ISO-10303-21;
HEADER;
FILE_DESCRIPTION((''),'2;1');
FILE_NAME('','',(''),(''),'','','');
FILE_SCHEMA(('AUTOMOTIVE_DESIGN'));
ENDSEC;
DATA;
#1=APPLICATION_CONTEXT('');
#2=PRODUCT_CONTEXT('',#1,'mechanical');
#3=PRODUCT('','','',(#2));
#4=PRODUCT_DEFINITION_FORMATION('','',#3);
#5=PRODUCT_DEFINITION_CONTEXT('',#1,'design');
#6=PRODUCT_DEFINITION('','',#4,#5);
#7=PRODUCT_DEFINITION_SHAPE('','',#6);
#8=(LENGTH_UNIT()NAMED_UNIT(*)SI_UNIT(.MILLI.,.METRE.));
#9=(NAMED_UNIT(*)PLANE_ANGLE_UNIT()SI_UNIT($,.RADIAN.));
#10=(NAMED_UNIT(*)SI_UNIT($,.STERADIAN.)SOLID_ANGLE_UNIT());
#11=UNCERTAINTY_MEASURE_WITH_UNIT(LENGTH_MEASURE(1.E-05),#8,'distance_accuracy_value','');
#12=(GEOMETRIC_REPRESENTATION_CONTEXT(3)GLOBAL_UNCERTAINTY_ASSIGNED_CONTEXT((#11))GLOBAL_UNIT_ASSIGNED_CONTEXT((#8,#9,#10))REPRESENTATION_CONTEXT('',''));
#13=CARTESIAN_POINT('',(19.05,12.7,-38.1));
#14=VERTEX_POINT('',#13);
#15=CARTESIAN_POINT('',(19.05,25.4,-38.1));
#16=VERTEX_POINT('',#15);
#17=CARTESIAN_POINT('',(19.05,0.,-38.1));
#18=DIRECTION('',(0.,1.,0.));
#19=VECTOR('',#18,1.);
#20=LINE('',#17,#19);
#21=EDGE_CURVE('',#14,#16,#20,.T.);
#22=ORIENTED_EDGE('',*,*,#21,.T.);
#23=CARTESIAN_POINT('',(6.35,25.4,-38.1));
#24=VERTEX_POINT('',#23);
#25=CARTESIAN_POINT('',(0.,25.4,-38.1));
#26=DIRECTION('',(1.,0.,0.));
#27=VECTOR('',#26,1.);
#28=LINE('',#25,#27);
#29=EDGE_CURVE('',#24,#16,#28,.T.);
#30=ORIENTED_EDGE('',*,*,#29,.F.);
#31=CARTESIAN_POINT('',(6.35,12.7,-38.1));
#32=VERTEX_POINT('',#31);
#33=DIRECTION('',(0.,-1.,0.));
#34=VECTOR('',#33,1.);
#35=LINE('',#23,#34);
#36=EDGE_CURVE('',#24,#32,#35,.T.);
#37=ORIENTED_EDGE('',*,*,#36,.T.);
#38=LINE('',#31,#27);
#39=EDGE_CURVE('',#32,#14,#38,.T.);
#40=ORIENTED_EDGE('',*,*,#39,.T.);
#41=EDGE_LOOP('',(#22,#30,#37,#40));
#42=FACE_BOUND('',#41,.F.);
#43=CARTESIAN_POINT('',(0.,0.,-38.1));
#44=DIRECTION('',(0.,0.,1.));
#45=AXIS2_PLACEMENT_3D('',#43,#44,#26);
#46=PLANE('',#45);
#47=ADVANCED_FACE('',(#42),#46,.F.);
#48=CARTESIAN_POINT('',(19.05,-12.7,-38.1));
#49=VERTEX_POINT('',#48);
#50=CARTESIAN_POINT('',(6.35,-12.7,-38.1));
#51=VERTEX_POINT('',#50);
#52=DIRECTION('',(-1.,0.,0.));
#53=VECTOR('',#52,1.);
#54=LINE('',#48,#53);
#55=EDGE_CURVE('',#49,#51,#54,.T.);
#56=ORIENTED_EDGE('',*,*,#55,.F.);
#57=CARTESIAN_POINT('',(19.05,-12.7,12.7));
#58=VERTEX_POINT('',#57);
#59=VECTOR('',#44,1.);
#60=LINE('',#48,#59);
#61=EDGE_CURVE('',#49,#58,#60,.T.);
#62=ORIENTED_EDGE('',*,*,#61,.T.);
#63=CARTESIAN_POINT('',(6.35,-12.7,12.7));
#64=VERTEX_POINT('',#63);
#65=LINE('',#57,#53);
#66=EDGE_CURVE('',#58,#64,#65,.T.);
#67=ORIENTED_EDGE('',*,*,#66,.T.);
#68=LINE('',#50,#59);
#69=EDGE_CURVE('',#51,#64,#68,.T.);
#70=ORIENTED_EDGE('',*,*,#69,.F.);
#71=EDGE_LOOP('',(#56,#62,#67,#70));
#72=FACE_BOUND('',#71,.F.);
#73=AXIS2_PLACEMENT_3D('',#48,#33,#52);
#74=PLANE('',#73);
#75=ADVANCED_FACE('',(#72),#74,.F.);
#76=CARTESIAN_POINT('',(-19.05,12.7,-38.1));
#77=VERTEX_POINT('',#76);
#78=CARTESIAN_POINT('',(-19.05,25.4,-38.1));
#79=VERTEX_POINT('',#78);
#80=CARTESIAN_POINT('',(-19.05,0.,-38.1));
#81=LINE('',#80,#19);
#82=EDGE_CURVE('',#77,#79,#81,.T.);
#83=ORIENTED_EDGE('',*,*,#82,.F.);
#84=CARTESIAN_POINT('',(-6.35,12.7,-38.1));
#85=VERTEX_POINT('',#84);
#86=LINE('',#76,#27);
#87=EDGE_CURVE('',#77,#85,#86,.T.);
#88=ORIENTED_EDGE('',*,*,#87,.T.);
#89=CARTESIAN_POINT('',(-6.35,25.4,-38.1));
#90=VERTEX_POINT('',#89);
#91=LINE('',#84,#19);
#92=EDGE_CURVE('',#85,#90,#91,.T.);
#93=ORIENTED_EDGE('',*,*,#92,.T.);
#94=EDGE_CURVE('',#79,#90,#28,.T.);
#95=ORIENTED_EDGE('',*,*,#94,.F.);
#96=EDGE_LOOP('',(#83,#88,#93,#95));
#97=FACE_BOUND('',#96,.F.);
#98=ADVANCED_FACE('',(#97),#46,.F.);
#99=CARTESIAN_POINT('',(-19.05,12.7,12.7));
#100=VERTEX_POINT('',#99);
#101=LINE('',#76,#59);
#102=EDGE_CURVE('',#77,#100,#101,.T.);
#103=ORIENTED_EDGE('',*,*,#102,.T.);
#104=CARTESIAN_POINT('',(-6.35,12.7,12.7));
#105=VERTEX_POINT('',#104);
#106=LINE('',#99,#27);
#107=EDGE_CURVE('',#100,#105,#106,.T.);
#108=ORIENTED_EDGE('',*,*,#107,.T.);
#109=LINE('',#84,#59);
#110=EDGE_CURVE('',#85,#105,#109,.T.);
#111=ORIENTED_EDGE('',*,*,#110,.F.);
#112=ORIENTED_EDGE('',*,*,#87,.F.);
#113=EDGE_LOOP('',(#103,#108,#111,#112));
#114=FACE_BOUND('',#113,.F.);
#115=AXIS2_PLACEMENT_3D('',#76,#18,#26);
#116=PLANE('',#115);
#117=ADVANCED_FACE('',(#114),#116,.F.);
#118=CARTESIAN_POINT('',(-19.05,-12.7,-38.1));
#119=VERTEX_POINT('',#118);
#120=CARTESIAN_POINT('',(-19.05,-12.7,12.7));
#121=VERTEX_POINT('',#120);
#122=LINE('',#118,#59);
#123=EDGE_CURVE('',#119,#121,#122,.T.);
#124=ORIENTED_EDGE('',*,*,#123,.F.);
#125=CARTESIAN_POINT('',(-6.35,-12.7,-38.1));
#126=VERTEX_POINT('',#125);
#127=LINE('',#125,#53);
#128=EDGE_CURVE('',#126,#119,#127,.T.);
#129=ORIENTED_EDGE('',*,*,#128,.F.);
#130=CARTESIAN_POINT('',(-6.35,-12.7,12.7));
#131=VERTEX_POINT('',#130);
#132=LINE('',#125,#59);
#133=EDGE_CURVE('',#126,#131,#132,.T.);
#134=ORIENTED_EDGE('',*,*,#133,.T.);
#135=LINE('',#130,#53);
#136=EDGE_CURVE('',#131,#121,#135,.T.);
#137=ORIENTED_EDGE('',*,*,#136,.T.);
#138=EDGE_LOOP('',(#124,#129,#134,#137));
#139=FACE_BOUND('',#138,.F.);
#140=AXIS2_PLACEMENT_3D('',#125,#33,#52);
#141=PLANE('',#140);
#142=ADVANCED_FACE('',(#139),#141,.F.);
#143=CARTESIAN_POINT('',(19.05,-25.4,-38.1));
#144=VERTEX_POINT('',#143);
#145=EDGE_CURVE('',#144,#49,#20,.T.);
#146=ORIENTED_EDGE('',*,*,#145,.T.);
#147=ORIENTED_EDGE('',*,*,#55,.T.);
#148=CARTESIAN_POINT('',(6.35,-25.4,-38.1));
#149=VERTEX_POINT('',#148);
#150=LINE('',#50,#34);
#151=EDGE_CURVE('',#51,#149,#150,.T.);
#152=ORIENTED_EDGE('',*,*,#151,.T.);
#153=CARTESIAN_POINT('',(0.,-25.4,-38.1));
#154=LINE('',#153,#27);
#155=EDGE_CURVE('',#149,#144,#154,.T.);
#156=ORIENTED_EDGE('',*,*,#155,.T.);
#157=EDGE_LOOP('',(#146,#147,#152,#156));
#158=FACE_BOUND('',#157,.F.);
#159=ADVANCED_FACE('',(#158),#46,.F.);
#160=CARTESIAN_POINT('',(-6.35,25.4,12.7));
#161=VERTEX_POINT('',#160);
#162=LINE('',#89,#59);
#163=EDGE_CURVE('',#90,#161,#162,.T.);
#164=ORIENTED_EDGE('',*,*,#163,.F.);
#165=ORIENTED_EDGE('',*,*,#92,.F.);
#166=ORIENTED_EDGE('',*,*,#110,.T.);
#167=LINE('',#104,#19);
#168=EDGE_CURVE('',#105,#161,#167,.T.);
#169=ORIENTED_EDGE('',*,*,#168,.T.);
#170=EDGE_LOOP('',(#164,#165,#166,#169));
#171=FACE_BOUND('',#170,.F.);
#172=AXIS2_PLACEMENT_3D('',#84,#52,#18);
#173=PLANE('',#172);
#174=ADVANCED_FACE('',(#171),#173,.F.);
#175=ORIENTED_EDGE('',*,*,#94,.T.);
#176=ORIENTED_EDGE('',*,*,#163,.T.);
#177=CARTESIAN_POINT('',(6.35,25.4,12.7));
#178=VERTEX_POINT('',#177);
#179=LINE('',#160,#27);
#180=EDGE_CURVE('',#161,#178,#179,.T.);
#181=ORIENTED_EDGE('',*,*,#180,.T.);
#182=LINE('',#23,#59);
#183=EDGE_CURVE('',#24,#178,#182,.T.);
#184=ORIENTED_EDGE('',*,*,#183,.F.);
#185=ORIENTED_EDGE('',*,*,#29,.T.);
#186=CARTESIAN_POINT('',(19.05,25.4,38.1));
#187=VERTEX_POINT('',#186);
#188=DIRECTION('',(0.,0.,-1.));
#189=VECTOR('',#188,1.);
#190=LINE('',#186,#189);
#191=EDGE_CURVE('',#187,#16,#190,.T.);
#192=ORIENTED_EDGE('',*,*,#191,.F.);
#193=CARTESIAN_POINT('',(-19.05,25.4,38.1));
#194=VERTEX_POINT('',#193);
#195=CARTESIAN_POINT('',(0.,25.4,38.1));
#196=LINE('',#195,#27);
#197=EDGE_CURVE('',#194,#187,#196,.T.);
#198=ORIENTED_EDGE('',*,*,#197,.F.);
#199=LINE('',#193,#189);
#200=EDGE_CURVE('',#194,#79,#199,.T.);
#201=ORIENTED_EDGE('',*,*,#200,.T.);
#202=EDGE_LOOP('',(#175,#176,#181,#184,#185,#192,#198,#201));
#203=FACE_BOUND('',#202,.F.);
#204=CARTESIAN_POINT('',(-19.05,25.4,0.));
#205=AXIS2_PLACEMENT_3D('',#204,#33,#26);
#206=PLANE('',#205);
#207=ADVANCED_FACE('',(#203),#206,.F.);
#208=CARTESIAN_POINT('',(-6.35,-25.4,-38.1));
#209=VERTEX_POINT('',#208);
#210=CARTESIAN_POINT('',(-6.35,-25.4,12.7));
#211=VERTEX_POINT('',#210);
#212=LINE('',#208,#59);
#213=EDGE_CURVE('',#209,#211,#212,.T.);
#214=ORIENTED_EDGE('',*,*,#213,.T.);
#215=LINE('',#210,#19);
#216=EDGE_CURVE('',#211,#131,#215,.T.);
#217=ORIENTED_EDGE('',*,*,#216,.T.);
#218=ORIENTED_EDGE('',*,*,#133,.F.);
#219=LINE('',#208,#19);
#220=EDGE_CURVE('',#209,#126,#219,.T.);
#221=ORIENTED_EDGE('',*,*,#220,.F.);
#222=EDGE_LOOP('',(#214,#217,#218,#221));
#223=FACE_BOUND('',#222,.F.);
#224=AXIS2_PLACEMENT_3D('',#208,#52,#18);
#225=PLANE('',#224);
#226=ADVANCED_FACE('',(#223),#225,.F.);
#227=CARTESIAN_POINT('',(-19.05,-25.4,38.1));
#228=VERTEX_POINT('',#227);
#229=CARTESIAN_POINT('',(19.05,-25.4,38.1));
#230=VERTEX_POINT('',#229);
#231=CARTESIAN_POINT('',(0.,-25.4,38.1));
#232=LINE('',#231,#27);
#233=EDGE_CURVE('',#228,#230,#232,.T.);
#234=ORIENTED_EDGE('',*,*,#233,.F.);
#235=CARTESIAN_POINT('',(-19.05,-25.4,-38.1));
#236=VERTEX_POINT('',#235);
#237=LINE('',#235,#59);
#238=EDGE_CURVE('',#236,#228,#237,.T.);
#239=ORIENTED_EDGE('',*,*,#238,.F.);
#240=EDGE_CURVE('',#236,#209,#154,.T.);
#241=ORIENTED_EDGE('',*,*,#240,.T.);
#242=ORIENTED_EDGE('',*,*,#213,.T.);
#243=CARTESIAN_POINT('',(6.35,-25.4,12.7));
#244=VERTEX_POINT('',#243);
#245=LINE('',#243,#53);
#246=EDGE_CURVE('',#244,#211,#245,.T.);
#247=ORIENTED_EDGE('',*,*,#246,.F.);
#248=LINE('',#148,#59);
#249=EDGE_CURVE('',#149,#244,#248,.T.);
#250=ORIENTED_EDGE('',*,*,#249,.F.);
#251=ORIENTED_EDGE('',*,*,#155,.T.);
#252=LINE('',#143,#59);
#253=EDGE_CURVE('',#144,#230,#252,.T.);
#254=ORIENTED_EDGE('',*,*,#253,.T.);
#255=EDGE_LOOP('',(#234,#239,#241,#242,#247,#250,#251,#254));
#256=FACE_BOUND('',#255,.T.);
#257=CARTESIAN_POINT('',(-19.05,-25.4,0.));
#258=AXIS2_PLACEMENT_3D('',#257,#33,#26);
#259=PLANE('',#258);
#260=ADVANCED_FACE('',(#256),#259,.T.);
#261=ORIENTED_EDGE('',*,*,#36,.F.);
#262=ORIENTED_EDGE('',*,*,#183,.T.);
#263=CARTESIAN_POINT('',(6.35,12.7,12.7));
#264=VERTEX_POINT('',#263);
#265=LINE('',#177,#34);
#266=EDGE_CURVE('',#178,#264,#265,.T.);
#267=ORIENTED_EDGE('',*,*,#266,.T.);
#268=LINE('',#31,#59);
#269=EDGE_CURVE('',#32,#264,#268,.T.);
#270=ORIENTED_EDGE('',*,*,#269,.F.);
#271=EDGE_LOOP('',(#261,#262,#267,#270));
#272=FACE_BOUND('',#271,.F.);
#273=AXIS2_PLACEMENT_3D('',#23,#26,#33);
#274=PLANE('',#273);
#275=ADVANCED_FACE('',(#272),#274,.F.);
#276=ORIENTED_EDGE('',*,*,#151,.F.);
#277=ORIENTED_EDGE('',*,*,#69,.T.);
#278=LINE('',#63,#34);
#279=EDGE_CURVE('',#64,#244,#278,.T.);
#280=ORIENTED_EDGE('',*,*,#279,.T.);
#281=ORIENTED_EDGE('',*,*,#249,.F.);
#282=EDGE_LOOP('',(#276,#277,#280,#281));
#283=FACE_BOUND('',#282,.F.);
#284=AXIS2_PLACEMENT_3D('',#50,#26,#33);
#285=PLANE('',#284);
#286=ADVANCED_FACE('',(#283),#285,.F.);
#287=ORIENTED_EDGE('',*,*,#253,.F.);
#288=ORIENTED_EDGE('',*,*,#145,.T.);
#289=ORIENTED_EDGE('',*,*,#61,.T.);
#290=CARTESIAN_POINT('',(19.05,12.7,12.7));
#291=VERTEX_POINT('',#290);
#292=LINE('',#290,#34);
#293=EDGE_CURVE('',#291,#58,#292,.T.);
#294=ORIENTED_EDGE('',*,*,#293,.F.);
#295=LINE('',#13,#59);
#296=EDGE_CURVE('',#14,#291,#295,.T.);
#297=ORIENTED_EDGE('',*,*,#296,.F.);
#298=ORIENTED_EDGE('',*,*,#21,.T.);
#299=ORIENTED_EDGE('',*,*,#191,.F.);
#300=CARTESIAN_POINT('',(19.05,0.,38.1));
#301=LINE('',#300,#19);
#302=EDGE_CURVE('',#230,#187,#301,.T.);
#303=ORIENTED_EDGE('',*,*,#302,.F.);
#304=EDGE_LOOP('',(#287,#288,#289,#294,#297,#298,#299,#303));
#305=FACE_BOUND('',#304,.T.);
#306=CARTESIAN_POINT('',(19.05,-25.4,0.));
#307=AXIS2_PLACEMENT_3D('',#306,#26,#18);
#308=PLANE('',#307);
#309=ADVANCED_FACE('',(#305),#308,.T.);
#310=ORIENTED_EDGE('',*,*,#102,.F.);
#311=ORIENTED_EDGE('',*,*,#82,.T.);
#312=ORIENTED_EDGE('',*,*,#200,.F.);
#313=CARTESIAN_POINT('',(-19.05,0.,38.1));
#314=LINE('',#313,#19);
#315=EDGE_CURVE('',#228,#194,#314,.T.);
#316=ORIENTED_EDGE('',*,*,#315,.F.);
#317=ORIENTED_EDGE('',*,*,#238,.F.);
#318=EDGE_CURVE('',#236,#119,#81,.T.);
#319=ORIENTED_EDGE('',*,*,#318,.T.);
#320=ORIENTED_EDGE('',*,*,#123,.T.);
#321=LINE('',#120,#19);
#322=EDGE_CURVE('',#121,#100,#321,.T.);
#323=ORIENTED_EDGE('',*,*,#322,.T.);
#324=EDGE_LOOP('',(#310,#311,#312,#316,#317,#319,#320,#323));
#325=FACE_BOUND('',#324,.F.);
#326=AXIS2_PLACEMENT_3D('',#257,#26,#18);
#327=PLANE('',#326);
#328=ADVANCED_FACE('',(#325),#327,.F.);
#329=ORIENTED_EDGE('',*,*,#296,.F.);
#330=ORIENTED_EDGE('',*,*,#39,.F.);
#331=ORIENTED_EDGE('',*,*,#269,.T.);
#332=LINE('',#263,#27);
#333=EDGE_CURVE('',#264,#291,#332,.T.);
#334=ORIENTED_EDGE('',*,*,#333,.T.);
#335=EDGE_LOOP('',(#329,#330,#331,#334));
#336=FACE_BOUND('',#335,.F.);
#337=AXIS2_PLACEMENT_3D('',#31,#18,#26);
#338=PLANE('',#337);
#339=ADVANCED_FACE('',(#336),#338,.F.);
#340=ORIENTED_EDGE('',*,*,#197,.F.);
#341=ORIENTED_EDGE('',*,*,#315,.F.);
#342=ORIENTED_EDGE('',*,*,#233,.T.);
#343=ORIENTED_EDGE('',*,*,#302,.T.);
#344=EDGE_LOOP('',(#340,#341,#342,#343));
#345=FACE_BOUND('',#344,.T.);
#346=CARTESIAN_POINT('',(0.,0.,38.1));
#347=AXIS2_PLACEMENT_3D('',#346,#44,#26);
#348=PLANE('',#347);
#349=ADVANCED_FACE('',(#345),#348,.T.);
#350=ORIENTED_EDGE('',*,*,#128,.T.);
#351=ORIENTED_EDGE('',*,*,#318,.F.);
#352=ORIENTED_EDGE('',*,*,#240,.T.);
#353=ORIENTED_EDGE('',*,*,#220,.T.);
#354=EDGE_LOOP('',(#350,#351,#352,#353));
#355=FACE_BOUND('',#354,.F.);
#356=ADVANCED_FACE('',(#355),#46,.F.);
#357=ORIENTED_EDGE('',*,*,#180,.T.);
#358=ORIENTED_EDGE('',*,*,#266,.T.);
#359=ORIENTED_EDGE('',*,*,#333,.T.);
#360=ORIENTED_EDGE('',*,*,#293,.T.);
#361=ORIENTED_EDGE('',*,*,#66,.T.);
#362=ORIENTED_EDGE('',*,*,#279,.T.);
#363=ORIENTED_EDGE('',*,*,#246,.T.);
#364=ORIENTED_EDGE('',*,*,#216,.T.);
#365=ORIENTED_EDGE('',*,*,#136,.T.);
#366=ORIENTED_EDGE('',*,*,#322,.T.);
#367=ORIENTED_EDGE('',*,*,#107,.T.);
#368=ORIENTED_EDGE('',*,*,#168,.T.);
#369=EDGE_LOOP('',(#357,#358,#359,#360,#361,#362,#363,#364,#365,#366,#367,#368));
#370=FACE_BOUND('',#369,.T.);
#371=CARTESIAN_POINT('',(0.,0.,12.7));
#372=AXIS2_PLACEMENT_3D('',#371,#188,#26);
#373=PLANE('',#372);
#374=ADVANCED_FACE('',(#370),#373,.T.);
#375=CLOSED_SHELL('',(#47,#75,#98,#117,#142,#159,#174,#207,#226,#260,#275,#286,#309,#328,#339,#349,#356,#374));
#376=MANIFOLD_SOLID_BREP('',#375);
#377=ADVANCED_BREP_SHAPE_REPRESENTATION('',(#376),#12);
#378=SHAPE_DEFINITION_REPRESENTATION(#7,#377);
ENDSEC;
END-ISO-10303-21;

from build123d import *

# Parameters (mm, degrees)
F0_W     = 38.1
F0_H     = 50.8
F1_DEPTH = 38.1
F3_DEPTH = 50.8


with BuildPart() as f1:
    # F0 (on Top) → F1 (new body, symmetric)
    with BuildSketch(Plane.XY):
        Rectangle(F0_W, F0_H)
    extrude(amount=F1_DEPTH, both=True)

    # F2 (on face) → F3 (cut)
    with BuildSketch(Plane(origin=(0, 0, -38.1), x_dir=(1, 0, 0), z_dir=(0, 0, -1))):
        Polygon((6.35, 25.4), (-6.35, 25.4), (-6.35, 12.7), (-19.05, 12.7), (-19.05, -12.7), (-6.35, -12.7), (-6.35, -25.4), (6.35, -25.4), (6.35, -12.7), (19.05, -12.7), (19.05, 12.7), (6.35, 12.7), align=None)
    extrude(amount=-F3_DEPTH, mode=Mode.SUBTRACT)


solid = f1.part
